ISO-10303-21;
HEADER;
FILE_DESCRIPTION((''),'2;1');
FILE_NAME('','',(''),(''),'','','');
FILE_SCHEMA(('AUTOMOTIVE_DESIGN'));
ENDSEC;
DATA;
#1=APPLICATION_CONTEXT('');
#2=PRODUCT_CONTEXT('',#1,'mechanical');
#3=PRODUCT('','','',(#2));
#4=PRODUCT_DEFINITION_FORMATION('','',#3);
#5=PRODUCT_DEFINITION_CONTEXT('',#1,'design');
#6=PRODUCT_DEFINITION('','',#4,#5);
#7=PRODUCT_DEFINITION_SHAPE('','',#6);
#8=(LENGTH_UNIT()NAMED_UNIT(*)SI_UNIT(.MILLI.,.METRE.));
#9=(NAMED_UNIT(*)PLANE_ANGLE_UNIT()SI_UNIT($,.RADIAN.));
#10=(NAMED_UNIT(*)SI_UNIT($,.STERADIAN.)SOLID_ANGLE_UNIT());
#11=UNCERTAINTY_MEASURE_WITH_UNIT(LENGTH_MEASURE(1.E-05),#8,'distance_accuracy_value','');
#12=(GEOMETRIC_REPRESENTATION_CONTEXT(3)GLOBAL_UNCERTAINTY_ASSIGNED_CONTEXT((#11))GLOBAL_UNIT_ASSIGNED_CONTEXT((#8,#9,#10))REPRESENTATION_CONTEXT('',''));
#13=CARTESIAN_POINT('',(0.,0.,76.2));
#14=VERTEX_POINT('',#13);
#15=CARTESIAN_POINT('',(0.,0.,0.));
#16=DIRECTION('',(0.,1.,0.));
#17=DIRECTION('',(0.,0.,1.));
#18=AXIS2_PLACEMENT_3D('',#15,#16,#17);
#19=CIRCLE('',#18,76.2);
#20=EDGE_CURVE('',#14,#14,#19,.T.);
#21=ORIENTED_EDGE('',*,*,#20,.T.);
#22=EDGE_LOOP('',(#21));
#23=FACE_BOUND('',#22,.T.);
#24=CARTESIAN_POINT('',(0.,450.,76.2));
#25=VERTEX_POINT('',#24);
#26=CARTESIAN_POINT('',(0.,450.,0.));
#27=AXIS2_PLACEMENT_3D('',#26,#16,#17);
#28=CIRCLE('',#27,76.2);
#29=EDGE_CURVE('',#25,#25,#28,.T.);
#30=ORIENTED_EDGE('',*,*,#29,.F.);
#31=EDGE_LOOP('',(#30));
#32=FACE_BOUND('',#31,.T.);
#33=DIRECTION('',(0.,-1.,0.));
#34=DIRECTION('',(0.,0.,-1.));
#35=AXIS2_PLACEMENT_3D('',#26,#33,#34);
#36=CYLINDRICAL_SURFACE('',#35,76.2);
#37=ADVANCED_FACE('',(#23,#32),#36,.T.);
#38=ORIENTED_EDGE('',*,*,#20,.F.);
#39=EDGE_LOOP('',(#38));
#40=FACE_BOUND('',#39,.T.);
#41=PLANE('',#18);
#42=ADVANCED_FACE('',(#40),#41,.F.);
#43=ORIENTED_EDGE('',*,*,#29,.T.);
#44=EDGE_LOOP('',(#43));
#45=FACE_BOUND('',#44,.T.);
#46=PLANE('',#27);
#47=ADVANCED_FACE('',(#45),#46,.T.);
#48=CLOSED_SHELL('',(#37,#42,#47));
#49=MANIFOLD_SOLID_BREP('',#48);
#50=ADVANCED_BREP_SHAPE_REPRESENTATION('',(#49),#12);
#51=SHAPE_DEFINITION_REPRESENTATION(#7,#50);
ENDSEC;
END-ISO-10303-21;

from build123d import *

# Parameters (mm, degrees)
BOSS_EXTRUDE1_DEPTH = 450
BOSS_EXTRUDE2_DEPTH = 450


with BuildPart() as part:
    # Sketch1 → Boss-Extrude1 (new body)
    with BuildSketch(Plane(origin=(0, 0, 0), x_dir=(1, 0, 0), z_dir=(0, 1, 0))):
        with BuildLine():
            ThreePointArc((23.8, -72.387844283), (76.2, 0), (23.8, 72.387844283))
            Line((23.8, 72.387844283), (23.8, -72.387844283))
        make_face()
    extrude(amount=BOSS_EXTRUDE1_DEPTH)

    # Sketch2 → Boss-Extrude2 (add)
    with BuildSketch(Plane(origin=(0, 0, 0), x_dir=(1, 0, 0), z_dir=(0, 1, 0))):
        with BuildLine():
            ThreePointArc((76.2, 0), (61.725197448, 44.681539812), (23.8, 72.387844283))
            Line((23.8, 72.387844283), (23.8, 0))
            Line((23.8, 0), (76.2, 0))
        make_face()
        with BuildLine():
            Line((23.8, 0), (23.8, 72.387844283))
            ThreePointArc((23.8, 72.387844283), (-44.681539812, 61.725197448), (-76.2, 0))
            Line((-76.2, 0), (23.8, 0))
        make_face()
        with BuildLine():
            Line((76.2, 0), (23.8, 0))
            Line((23.8, 0), (23.8, -72.387844283))
            ThreePointArc((23.8, -72.387844283), (61.725197448, -44.681539812), (76.2, 0))
        make_face()
        with BuildLine():
            Line((23.8, -72.387844283), (23.8, 0))
            Line((23.8, 0), (-76.2, 0))
            ThreePointArc((-76.2, 0), (-44.681539812, -61.725197448), (23.8, -72.387844283))
        make_face()
    extrude(amount=BOSS_EXTRUDE2_DEPTH)


solid = part.part
